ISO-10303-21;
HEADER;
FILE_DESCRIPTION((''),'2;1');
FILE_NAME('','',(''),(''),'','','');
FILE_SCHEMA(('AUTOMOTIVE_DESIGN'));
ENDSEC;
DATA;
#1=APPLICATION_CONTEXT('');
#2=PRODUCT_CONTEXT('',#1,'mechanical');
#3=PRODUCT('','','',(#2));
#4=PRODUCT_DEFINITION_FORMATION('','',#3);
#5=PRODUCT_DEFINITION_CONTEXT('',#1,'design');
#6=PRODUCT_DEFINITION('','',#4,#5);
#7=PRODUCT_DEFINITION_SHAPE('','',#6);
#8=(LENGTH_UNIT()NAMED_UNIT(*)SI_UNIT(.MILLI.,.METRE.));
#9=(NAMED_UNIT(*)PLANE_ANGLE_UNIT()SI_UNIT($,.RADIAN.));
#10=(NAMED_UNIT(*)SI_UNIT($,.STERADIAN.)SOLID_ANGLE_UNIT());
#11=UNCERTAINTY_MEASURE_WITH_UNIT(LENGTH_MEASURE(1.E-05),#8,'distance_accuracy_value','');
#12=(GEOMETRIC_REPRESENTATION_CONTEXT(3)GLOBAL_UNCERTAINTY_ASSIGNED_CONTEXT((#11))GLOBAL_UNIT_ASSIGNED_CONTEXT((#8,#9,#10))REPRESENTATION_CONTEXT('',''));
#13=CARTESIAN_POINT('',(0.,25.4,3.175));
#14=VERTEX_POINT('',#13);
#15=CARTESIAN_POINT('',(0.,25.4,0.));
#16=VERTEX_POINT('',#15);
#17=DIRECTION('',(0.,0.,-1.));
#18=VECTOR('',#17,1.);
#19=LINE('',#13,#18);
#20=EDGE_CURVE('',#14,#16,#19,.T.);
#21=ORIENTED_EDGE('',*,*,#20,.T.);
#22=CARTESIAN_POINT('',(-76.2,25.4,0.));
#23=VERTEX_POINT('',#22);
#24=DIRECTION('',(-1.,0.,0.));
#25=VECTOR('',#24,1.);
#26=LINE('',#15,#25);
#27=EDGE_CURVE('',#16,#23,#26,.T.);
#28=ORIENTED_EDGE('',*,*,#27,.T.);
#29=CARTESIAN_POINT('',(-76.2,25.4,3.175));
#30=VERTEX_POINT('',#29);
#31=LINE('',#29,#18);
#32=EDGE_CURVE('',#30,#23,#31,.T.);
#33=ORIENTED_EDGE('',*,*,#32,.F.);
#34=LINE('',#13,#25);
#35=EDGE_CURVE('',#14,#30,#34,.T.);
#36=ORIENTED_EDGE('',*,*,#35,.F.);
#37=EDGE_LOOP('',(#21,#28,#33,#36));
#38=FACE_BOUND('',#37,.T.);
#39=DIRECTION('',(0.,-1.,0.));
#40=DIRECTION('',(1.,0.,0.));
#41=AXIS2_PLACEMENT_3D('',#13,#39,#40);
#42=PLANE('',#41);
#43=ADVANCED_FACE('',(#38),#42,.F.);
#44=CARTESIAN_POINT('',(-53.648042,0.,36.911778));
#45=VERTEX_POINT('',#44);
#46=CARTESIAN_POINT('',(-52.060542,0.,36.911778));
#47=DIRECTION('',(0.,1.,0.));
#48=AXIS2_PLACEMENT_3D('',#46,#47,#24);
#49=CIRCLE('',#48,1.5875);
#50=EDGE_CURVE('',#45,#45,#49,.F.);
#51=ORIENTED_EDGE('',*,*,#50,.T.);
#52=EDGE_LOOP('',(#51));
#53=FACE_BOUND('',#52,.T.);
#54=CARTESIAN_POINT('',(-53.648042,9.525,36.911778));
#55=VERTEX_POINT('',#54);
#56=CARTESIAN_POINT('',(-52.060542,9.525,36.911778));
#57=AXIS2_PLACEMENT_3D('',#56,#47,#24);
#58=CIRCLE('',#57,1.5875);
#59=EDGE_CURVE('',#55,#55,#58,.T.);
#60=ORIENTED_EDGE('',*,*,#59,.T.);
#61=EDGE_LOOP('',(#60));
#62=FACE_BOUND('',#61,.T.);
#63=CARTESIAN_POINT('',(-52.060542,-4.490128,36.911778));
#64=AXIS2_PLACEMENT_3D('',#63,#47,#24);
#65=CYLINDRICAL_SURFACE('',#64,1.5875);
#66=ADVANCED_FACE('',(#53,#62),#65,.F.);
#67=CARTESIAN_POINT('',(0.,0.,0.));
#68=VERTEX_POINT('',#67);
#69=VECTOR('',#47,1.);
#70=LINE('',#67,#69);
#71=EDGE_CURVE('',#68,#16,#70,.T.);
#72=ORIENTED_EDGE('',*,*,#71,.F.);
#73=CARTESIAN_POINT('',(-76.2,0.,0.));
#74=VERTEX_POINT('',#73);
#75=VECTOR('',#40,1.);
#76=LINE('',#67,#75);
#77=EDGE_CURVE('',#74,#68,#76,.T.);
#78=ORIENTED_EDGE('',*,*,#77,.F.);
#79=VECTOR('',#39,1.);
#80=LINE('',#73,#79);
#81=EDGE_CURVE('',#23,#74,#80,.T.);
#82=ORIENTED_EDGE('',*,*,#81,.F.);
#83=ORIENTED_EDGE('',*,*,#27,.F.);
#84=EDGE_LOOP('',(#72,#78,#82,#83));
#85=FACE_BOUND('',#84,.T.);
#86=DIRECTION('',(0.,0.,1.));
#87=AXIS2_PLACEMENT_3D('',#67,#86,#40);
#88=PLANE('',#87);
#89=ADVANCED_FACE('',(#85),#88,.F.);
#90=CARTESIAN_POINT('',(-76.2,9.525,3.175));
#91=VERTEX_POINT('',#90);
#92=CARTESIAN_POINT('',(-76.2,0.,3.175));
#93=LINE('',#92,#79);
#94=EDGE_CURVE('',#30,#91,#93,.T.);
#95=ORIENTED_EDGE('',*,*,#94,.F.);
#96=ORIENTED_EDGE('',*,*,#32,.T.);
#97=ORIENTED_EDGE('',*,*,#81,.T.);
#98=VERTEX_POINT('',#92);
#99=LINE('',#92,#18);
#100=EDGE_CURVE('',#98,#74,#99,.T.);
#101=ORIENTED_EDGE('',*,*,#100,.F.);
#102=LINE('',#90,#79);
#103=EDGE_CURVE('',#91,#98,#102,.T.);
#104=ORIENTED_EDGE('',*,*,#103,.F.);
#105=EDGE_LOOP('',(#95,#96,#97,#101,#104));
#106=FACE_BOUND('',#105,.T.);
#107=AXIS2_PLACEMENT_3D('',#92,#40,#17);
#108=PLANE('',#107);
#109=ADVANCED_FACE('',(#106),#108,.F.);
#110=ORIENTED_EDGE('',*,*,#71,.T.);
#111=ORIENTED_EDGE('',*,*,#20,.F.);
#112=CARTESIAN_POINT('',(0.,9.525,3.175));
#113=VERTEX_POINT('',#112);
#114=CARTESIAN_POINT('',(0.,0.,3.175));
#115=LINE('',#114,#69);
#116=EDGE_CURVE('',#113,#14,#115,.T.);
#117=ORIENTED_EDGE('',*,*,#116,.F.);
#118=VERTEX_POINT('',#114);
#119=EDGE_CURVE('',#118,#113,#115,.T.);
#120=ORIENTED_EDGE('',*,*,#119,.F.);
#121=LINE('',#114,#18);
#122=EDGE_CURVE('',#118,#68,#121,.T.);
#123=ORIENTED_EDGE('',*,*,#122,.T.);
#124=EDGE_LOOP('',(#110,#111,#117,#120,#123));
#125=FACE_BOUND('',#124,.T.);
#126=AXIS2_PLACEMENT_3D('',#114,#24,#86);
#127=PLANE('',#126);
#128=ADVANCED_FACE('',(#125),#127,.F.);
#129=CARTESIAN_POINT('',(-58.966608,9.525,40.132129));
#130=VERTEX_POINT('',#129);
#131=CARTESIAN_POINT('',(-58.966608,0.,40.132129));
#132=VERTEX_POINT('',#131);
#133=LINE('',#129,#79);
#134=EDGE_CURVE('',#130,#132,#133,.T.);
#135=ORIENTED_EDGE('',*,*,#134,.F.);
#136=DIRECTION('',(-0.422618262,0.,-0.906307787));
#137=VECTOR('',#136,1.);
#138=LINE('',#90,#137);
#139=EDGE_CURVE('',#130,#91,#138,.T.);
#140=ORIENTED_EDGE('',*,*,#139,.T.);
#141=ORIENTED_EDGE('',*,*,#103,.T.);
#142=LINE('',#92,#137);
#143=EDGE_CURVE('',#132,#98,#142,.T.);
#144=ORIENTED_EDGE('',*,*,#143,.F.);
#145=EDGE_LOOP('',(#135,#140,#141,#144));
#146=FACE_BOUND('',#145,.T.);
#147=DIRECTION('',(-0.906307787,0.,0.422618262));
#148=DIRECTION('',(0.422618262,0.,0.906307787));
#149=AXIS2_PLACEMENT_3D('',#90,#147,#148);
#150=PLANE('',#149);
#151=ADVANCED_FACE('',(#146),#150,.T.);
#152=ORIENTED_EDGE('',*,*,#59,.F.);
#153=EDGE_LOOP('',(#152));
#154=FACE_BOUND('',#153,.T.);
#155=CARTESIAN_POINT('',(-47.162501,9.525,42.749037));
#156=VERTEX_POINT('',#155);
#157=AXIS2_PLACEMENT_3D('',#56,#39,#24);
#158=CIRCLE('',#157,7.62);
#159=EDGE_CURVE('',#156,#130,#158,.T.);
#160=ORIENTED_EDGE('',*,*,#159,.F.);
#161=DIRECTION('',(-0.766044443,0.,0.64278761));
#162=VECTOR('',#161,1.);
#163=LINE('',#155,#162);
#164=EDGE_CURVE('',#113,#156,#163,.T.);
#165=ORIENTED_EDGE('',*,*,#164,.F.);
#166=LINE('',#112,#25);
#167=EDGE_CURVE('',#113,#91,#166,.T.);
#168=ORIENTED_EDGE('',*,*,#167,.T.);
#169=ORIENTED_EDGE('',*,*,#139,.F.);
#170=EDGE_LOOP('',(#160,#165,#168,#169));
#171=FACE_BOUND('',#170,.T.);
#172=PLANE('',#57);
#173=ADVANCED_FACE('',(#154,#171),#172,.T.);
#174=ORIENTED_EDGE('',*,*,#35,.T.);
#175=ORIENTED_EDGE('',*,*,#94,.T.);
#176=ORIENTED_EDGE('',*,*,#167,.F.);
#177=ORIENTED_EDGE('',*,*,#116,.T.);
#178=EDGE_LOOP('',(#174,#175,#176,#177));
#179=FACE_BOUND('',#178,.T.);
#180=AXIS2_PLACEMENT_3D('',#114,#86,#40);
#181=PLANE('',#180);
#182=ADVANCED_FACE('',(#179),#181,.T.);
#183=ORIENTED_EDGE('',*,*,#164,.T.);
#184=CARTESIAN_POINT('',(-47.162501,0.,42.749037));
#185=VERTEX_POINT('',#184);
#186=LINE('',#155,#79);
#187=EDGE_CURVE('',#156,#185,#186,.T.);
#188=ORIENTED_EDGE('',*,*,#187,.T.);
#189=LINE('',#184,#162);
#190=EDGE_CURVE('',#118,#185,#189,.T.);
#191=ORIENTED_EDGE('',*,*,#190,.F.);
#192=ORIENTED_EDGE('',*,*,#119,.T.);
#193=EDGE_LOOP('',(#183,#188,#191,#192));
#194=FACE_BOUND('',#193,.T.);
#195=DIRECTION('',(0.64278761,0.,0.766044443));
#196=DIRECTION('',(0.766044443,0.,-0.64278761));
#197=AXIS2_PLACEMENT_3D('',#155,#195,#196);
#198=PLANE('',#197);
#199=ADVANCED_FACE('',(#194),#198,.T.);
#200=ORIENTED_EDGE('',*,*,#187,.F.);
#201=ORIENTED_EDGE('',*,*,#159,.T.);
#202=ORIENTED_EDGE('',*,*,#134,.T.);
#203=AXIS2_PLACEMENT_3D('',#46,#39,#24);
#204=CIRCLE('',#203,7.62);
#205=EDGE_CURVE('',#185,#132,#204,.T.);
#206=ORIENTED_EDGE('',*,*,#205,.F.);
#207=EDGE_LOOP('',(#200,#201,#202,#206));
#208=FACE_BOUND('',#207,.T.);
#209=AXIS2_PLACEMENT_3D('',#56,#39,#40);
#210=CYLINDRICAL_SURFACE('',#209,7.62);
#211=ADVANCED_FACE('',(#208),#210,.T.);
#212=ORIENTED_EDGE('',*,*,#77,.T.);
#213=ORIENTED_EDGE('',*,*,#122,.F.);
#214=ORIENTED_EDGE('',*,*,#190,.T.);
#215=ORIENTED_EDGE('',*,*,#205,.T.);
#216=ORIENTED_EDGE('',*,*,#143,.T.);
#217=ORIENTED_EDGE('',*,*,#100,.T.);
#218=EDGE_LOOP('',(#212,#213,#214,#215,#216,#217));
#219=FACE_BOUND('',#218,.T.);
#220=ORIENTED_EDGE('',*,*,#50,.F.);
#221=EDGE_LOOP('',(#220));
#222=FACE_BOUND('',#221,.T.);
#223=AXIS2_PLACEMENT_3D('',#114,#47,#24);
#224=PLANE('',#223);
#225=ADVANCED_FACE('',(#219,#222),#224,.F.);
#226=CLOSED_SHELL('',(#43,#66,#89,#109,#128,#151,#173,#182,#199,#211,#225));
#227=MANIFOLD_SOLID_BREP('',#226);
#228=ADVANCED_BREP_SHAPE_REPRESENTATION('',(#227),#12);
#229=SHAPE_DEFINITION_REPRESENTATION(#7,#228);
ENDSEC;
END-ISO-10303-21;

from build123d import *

# Parameters (mm, degrees)
SKETCH1_W               = 76.2
SKETCH1_H               = 25.4
BOSS_EXTRUDE1_DEPTH     = 3.175
BOSS_EXTRUDE2_DEPTH     = 9.525
CUT_EXTRUDE1_DEPTH      = 90.67460564
CUT_EXTRUDE1_DEPTH_BACK = 9.525
SKETCH3_R               = 1.5875


with BuildPart() as part:
    # Sketch1 → Boss-Extrude1 (new body)
    with BuildSketch(Plane.XY):
        with Locations((-38.1, 12.7)):
            Rectangle(SKETCH1_W, SKETCH1_H)
    extrude(amount=BOSS_EXTRUDE1_DEPTH)

    # Sketch2 → Boss-Extrude2 (add)
    with BuildSketch(Plane(origin=(0, 0, 0), x_dir=(-1, 0, 0), z_dir=(0, -1, 0))):
        with BuildLine():
            Line((0, 0), (76.2, 0))
            Line((76.2, 0), (76.2, -3.175))
            Line((76.2, -3.175), (58.966607548, -40.132129378))
            ThreePointArc((58.966607548, -40.132129378), (53.709812069, -44.351153797), (47.162500625, -42.74903688))
            Line((47.162500625, -42.74903688), (0, -3.175))
            Line((0, -3.175), (0, 0))
        make_face()
    extrude(amount=-BOSS_EXTRUDE2_DEPTH)

    # Sketch3 → Cut-Extrude1 (cut, two sides: drawn at the far end of the back side and taken through both)
    with BuildSketch(Plane(origin=(0, 9.525, 0), x_dir=(1, 0, 0), z_dir=(0, 1, 0)).offset(-CUT_EXTRUDE1_DEPTH_BACK)):
        with Locations(Location((-52.060542211, -36.911778223, 0), (0, 0, 180))):
            Circle(SKETCH3_R)
    extrude(amount=CUT_EXTRUDE1_DEPTH + CUT_EXTRUDE1_DEPTH_BACK, mode=Mode.SUBTRACT)


solid = part.part
